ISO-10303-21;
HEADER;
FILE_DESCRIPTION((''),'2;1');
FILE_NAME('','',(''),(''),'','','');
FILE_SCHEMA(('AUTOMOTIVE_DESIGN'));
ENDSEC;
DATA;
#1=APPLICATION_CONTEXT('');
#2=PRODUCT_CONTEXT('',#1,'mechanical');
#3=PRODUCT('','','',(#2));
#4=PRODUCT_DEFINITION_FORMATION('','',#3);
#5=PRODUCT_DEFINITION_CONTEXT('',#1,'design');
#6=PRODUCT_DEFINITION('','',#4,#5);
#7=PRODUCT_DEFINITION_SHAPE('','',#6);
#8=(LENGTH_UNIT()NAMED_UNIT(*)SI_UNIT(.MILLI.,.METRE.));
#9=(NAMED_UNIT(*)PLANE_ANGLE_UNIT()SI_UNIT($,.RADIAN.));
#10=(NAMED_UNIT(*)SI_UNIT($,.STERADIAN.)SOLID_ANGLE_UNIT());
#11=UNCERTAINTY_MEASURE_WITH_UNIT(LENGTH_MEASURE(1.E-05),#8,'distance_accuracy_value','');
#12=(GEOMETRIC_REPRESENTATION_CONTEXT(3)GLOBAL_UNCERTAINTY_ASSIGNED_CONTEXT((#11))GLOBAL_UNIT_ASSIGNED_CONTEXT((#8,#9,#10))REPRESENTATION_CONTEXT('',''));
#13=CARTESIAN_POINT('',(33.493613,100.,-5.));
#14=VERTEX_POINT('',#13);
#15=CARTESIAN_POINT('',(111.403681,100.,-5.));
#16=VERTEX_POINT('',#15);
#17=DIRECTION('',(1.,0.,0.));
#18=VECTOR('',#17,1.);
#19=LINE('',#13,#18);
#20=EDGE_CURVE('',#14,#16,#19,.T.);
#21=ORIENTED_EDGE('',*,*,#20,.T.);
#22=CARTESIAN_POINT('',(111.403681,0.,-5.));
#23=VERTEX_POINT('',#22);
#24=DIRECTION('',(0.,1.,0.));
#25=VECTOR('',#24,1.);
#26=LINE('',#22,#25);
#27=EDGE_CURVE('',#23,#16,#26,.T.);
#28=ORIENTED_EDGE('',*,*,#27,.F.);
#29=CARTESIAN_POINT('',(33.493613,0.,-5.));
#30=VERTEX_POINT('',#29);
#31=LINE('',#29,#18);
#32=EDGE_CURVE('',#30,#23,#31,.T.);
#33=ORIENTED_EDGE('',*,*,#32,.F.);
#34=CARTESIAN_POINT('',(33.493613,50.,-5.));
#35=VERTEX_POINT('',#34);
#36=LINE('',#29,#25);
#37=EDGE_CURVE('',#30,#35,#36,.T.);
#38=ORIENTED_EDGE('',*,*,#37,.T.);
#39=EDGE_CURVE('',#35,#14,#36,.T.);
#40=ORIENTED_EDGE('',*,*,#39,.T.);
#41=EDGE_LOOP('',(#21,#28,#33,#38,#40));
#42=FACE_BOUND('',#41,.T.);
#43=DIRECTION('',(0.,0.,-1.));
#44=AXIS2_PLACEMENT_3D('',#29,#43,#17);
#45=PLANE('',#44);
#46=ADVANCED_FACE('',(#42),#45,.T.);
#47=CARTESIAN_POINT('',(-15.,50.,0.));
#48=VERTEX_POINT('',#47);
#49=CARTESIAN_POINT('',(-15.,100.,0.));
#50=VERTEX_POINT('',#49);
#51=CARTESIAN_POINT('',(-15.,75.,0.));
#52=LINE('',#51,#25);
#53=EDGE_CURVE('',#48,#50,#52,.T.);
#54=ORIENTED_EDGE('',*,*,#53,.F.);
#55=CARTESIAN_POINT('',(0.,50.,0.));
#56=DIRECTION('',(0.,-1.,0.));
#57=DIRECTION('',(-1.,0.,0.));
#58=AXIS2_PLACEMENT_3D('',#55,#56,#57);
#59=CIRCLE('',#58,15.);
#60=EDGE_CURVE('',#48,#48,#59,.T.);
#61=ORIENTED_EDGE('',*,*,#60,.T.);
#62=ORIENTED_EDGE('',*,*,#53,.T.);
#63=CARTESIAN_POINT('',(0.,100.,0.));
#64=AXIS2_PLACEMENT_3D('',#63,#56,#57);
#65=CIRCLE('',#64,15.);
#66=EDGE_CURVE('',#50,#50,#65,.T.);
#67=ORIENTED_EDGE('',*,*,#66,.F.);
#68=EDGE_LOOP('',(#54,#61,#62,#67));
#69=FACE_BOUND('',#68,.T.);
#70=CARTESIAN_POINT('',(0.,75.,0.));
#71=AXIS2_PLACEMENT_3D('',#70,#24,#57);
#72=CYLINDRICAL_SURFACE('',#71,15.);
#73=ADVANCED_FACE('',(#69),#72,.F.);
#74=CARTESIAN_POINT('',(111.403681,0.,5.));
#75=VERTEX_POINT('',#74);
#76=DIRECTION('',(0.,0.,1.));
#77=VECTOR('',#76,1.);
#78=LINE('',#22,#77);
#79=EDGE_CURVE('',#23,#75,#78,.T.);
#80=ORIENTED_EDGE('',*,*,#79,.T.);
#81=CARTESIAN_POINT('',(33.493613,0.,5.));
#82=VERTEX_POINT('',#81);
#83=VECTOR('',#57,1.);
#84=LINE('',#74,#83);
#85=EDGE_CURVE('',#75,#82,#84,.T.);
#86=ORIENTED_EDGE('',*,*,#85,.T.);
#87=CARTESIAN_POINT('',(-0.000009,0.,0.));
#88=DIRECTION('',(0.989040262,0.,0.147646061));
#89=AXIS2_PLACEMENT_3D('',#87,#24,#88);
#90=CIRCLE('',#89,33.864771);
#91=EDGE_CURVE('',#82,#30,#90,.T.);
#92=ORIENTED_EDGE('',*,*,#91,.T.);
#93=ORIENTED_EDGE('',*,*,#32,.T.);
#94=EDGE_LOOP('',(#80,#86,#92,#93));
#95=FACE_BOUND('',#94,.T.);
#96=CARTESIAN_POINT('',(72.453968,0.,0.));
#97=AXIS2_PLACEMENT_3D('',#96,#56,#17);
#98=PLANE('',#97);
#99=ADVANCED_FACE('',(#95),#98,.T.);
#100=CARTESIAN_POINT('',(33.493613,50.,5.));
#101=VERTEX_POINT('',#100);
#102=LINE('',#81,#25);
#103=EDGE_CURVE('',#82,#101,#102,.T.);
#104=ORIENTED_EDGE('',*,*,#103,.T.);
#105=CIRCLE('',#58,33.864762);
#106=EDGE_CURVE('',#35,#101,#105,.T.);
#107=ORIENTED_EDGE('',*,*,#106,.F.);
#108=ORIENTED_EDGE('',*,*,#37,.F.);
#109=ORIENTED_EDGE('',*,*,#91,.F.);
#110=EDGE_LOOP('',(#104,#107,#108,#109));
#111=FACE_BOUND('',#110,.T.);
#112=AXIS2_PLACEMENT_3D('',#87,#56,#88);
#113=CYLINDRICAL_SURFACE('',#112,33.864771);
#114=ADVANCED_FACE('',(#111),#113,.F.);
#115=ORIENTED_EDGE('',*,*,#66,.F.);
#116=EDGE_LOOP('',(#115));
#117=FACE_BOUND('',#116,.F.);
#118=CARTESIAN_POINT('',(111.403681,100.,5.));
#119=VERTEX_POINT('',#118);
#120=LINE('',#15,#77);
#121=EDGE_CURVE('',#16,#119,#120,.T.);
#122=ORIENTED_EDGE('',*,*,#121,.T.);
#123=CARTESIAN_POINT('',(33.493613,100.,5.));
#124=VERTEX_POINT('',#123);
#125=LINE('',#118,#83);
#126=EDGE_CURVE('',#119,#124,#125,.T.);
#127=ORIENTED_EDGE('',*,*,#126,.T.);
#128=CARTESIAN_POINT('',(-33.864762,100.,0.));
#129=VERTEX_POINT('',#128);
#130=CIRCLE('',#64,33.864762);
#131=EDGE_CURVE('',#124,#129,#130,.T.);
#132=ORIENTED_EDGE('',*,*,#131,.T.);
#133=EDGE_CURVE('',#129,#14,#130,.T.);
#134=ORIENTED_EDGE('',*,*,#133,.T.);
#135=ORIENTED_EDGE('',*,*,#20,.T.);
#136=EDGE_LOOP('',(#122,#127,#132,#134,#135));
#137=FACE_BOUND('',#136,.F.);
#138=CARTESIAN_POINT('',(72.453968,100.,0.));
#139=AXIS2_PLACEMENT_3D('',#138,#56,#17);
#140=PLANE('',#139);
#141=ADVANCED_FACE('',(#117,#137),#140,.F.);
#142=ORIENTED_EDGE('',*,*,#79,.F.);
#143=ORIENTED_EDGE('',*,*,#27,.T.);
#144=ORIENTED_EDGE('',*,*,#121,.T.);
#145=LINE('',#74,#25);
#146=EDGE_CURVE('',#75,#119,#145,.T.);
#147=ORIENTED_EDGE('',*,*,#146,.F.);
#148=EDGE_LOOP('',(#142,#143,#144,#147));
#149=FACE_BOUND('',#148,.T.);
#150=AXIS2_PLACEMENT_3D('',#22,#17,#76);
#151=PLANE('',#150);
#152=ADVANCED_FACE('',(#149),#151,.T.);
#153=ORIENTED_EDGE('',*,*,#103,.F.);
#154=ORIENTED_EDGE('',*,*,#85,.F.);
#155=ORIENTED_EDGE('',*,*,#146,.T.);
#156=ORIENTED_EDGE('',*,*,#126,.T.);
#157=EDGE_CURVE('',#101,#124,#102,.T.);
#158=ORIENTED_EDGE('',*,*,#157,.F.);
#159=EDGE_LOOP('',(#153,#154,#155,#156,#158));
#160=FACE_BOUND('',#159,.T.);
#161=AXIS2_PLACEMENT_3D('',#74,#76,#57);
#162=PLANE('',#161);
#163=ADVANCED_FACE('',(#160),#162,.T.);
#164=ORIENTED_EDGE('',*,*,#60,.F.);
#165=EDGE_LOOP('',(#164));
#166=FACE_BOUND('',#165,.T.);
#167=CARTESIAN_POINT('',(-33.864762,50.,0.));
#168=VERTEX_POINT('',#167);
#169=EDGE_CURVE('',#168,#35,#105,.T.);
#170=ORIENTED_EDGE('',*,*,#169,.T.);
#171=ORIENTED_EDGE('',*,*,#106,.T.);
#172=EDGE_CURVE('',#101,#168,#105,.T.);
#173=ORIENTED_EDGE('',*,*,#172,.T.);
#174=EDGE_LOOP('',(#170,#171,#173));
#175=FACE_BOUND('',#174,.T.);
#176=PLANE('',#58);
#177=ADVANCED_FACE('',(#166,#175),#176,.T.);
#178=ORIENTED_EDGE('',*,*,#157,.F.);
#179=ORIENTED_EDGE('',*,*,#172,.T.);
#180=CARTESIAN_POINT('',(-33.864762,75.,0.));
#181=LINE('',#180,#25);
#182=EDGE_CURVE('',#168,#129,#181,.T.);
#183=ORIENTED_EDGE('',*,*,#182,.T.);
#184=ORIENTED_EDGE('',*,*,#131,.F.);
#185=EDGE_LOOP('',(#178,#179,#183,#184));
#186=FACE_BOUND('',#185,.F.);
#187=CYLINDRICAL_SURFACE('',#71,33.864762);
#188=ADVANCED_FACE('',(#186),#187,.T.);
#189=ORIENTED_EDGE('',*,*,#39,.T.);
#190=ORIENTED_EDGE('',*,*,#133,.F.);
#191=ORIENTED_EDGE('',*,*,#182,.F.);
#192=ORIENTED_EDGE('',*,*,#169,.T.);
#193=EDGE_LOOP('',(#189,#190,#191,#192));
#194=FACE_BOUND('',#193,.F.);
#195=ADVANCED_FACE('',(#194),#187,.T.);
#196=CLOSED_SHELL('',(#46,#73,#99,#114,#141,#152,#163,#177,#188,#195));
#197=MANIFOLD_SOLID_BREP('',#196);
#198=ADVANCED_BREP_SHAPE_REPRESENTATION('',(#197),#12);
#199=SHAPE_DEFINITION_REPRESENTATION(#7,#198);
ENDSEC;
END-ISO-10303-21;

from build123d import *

# Parameters (mm, degrees)
F0_W     = 18.864762
F0_H     = 50
F3_DEPTH = 100


with BuildPart() as f1:
    # F0 (on Top) → F1 (revolve)
    with BuildSketch(Plane.XY):
        with Locations((-24.432381, 75)):
            Rectangle(F0_W, F0_H)
    revolve(axis=Axis((0, 34.19238, 0), (0, -1, 0)))

    # F2 (on Front) → F3 (join)
    with BuildSketch(Plane.XZ):
        with BuildLine():
            Line((111.403681, 5), (33.493613, 5))
            ThreePointArc((33.493613, 5), (33.864762, 0), (33.493613, -5))
            Line((33.493613, -5), (111.403681, -5))
            Line((111.403681, -5), (111.403681, 5))
        make_face()
    extrude(amount=-F3_DEPTH)


solid = f1.part
